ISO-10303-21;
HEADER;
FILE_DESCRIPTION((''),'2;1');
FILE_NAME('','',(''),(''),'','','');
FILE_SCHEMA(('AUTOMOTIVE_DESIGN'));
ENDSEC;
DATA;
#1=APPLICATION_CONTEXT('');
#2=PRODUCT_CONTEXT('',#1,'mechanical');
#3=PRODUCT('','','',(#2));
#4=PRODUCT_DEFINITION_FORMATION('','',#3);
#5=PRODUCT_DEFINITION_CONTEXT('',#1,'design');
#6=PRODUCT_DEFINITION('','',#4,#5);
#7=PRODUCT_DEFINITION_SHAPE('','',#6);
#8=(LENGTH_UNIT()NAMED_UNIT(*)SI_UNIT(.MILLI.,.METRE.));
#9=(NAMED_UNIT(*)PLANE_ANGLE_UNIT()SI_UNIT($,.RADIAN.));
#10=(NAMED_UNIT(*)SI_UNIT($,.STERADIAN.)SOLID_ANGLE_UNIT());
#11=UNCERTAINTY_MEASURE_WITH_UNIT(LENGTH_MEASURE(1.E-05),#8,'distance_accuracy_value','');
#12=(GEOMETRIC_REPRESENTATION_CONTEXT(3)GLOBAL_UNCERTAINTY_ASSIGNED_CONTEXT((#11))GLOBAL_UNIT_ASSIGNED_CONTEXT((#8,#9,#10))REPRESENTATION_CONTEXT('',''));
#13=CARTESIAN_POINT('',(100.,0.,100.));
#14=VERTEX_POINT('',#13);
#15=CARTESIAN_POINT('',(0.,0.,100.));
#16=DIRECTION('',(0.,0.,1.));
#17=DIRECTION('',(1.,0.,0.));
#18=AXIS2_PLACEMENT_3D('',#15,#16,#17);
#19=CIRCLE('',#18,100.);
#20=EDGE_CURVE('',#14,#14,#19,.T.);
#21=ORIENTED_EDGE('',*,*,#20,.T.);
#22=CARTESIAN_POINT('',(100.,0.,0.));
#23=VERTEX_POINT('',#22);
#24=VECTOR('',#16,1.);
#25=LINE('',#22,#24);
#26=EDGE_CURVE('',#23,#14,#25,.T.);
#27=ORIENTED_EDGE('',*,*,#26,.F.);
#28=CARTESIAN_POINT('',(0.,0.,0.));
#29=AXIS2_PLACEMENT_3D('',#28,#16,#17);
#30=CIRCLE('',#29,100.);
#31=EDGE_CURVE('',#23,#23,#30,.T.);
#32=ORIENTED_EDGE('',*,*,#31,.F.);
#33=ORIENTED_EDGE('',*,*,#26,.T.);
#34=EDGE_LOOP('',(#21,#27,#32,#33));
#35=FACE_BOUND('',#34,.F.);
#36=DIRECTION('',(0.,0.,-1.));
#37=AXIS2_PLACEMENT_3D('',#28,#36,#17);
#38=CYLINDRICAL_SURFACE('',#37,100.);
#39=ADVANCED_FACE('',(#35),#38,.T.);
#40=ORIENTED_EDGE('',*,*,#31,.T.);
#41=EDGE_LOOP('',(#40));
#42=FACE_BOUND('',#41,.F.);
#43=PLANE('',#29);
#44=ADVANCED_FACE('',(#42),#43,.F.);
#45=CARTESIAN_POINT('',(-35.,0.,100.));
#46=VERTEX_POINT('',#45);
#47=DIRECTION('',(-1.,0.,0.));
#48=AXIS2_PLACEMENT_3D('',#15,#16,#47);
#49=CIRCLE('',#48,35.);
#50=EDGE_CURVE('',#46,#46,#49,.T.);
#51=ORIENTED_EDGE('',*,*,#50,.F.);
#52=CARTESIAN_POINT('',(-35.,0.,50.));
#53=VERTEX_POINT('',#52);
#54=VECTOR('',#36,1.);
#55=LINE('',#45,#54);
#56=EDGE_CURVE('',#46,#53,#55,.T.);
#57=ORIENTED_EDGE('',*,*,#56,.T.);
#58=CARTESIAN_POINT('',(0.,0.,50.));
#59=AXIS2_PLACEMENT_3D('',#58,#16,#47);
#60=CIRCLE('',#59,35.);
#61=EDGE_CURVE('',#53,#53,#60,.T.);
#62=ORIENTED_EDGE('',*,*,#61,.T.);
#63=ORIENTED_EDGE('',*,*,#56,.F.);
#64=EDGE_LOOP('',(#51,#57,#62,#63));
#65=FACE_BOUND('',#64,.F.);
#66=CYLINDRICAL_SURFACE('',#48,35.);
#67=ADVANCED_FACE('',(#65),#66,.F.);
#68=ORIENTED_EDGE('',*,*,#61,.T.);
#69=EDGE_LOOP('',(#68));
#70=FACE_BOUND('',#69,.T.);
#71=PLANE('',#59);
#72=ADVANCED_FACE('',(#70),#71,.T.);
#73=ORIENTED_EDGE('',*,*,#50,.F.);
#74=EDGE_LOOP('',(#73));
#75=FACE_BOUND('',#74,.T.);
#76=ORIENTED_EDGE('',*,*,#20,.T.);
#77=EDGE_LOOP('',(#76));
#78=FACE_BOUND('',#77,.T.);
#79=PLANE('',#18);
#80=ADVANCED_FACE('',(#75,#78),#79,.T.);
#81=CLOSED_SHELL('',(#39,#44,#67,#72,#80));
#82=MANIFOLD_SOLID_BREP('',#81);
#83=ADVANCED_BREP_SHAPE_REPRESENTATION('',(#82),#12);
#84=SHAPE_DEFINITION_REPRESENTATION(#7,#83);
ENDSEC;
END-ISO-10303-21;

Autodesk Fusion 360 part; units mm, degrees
sketch "Sketch1" plane through (0, 0, 0) normal (0, 0, 1) x (1, 0, 0)
  circle A0 centre (0, 0) radius 100
  dimension "d1" = 200
extrude "Extrude1" add sketch "Sketch1" along normal blind 100
sketch "Sketch2" plane through (0, 0, 100) normal (0, 0, 1) x (-1, 0, 0)
  circle A0 centre (0, 0) radius 100
  circle A1 centre (0, 0) radius 35
  dimension "d4" = 70
extrude "Extrude2" cut sketch "Sketch2" against normal blind 50 contours A1
